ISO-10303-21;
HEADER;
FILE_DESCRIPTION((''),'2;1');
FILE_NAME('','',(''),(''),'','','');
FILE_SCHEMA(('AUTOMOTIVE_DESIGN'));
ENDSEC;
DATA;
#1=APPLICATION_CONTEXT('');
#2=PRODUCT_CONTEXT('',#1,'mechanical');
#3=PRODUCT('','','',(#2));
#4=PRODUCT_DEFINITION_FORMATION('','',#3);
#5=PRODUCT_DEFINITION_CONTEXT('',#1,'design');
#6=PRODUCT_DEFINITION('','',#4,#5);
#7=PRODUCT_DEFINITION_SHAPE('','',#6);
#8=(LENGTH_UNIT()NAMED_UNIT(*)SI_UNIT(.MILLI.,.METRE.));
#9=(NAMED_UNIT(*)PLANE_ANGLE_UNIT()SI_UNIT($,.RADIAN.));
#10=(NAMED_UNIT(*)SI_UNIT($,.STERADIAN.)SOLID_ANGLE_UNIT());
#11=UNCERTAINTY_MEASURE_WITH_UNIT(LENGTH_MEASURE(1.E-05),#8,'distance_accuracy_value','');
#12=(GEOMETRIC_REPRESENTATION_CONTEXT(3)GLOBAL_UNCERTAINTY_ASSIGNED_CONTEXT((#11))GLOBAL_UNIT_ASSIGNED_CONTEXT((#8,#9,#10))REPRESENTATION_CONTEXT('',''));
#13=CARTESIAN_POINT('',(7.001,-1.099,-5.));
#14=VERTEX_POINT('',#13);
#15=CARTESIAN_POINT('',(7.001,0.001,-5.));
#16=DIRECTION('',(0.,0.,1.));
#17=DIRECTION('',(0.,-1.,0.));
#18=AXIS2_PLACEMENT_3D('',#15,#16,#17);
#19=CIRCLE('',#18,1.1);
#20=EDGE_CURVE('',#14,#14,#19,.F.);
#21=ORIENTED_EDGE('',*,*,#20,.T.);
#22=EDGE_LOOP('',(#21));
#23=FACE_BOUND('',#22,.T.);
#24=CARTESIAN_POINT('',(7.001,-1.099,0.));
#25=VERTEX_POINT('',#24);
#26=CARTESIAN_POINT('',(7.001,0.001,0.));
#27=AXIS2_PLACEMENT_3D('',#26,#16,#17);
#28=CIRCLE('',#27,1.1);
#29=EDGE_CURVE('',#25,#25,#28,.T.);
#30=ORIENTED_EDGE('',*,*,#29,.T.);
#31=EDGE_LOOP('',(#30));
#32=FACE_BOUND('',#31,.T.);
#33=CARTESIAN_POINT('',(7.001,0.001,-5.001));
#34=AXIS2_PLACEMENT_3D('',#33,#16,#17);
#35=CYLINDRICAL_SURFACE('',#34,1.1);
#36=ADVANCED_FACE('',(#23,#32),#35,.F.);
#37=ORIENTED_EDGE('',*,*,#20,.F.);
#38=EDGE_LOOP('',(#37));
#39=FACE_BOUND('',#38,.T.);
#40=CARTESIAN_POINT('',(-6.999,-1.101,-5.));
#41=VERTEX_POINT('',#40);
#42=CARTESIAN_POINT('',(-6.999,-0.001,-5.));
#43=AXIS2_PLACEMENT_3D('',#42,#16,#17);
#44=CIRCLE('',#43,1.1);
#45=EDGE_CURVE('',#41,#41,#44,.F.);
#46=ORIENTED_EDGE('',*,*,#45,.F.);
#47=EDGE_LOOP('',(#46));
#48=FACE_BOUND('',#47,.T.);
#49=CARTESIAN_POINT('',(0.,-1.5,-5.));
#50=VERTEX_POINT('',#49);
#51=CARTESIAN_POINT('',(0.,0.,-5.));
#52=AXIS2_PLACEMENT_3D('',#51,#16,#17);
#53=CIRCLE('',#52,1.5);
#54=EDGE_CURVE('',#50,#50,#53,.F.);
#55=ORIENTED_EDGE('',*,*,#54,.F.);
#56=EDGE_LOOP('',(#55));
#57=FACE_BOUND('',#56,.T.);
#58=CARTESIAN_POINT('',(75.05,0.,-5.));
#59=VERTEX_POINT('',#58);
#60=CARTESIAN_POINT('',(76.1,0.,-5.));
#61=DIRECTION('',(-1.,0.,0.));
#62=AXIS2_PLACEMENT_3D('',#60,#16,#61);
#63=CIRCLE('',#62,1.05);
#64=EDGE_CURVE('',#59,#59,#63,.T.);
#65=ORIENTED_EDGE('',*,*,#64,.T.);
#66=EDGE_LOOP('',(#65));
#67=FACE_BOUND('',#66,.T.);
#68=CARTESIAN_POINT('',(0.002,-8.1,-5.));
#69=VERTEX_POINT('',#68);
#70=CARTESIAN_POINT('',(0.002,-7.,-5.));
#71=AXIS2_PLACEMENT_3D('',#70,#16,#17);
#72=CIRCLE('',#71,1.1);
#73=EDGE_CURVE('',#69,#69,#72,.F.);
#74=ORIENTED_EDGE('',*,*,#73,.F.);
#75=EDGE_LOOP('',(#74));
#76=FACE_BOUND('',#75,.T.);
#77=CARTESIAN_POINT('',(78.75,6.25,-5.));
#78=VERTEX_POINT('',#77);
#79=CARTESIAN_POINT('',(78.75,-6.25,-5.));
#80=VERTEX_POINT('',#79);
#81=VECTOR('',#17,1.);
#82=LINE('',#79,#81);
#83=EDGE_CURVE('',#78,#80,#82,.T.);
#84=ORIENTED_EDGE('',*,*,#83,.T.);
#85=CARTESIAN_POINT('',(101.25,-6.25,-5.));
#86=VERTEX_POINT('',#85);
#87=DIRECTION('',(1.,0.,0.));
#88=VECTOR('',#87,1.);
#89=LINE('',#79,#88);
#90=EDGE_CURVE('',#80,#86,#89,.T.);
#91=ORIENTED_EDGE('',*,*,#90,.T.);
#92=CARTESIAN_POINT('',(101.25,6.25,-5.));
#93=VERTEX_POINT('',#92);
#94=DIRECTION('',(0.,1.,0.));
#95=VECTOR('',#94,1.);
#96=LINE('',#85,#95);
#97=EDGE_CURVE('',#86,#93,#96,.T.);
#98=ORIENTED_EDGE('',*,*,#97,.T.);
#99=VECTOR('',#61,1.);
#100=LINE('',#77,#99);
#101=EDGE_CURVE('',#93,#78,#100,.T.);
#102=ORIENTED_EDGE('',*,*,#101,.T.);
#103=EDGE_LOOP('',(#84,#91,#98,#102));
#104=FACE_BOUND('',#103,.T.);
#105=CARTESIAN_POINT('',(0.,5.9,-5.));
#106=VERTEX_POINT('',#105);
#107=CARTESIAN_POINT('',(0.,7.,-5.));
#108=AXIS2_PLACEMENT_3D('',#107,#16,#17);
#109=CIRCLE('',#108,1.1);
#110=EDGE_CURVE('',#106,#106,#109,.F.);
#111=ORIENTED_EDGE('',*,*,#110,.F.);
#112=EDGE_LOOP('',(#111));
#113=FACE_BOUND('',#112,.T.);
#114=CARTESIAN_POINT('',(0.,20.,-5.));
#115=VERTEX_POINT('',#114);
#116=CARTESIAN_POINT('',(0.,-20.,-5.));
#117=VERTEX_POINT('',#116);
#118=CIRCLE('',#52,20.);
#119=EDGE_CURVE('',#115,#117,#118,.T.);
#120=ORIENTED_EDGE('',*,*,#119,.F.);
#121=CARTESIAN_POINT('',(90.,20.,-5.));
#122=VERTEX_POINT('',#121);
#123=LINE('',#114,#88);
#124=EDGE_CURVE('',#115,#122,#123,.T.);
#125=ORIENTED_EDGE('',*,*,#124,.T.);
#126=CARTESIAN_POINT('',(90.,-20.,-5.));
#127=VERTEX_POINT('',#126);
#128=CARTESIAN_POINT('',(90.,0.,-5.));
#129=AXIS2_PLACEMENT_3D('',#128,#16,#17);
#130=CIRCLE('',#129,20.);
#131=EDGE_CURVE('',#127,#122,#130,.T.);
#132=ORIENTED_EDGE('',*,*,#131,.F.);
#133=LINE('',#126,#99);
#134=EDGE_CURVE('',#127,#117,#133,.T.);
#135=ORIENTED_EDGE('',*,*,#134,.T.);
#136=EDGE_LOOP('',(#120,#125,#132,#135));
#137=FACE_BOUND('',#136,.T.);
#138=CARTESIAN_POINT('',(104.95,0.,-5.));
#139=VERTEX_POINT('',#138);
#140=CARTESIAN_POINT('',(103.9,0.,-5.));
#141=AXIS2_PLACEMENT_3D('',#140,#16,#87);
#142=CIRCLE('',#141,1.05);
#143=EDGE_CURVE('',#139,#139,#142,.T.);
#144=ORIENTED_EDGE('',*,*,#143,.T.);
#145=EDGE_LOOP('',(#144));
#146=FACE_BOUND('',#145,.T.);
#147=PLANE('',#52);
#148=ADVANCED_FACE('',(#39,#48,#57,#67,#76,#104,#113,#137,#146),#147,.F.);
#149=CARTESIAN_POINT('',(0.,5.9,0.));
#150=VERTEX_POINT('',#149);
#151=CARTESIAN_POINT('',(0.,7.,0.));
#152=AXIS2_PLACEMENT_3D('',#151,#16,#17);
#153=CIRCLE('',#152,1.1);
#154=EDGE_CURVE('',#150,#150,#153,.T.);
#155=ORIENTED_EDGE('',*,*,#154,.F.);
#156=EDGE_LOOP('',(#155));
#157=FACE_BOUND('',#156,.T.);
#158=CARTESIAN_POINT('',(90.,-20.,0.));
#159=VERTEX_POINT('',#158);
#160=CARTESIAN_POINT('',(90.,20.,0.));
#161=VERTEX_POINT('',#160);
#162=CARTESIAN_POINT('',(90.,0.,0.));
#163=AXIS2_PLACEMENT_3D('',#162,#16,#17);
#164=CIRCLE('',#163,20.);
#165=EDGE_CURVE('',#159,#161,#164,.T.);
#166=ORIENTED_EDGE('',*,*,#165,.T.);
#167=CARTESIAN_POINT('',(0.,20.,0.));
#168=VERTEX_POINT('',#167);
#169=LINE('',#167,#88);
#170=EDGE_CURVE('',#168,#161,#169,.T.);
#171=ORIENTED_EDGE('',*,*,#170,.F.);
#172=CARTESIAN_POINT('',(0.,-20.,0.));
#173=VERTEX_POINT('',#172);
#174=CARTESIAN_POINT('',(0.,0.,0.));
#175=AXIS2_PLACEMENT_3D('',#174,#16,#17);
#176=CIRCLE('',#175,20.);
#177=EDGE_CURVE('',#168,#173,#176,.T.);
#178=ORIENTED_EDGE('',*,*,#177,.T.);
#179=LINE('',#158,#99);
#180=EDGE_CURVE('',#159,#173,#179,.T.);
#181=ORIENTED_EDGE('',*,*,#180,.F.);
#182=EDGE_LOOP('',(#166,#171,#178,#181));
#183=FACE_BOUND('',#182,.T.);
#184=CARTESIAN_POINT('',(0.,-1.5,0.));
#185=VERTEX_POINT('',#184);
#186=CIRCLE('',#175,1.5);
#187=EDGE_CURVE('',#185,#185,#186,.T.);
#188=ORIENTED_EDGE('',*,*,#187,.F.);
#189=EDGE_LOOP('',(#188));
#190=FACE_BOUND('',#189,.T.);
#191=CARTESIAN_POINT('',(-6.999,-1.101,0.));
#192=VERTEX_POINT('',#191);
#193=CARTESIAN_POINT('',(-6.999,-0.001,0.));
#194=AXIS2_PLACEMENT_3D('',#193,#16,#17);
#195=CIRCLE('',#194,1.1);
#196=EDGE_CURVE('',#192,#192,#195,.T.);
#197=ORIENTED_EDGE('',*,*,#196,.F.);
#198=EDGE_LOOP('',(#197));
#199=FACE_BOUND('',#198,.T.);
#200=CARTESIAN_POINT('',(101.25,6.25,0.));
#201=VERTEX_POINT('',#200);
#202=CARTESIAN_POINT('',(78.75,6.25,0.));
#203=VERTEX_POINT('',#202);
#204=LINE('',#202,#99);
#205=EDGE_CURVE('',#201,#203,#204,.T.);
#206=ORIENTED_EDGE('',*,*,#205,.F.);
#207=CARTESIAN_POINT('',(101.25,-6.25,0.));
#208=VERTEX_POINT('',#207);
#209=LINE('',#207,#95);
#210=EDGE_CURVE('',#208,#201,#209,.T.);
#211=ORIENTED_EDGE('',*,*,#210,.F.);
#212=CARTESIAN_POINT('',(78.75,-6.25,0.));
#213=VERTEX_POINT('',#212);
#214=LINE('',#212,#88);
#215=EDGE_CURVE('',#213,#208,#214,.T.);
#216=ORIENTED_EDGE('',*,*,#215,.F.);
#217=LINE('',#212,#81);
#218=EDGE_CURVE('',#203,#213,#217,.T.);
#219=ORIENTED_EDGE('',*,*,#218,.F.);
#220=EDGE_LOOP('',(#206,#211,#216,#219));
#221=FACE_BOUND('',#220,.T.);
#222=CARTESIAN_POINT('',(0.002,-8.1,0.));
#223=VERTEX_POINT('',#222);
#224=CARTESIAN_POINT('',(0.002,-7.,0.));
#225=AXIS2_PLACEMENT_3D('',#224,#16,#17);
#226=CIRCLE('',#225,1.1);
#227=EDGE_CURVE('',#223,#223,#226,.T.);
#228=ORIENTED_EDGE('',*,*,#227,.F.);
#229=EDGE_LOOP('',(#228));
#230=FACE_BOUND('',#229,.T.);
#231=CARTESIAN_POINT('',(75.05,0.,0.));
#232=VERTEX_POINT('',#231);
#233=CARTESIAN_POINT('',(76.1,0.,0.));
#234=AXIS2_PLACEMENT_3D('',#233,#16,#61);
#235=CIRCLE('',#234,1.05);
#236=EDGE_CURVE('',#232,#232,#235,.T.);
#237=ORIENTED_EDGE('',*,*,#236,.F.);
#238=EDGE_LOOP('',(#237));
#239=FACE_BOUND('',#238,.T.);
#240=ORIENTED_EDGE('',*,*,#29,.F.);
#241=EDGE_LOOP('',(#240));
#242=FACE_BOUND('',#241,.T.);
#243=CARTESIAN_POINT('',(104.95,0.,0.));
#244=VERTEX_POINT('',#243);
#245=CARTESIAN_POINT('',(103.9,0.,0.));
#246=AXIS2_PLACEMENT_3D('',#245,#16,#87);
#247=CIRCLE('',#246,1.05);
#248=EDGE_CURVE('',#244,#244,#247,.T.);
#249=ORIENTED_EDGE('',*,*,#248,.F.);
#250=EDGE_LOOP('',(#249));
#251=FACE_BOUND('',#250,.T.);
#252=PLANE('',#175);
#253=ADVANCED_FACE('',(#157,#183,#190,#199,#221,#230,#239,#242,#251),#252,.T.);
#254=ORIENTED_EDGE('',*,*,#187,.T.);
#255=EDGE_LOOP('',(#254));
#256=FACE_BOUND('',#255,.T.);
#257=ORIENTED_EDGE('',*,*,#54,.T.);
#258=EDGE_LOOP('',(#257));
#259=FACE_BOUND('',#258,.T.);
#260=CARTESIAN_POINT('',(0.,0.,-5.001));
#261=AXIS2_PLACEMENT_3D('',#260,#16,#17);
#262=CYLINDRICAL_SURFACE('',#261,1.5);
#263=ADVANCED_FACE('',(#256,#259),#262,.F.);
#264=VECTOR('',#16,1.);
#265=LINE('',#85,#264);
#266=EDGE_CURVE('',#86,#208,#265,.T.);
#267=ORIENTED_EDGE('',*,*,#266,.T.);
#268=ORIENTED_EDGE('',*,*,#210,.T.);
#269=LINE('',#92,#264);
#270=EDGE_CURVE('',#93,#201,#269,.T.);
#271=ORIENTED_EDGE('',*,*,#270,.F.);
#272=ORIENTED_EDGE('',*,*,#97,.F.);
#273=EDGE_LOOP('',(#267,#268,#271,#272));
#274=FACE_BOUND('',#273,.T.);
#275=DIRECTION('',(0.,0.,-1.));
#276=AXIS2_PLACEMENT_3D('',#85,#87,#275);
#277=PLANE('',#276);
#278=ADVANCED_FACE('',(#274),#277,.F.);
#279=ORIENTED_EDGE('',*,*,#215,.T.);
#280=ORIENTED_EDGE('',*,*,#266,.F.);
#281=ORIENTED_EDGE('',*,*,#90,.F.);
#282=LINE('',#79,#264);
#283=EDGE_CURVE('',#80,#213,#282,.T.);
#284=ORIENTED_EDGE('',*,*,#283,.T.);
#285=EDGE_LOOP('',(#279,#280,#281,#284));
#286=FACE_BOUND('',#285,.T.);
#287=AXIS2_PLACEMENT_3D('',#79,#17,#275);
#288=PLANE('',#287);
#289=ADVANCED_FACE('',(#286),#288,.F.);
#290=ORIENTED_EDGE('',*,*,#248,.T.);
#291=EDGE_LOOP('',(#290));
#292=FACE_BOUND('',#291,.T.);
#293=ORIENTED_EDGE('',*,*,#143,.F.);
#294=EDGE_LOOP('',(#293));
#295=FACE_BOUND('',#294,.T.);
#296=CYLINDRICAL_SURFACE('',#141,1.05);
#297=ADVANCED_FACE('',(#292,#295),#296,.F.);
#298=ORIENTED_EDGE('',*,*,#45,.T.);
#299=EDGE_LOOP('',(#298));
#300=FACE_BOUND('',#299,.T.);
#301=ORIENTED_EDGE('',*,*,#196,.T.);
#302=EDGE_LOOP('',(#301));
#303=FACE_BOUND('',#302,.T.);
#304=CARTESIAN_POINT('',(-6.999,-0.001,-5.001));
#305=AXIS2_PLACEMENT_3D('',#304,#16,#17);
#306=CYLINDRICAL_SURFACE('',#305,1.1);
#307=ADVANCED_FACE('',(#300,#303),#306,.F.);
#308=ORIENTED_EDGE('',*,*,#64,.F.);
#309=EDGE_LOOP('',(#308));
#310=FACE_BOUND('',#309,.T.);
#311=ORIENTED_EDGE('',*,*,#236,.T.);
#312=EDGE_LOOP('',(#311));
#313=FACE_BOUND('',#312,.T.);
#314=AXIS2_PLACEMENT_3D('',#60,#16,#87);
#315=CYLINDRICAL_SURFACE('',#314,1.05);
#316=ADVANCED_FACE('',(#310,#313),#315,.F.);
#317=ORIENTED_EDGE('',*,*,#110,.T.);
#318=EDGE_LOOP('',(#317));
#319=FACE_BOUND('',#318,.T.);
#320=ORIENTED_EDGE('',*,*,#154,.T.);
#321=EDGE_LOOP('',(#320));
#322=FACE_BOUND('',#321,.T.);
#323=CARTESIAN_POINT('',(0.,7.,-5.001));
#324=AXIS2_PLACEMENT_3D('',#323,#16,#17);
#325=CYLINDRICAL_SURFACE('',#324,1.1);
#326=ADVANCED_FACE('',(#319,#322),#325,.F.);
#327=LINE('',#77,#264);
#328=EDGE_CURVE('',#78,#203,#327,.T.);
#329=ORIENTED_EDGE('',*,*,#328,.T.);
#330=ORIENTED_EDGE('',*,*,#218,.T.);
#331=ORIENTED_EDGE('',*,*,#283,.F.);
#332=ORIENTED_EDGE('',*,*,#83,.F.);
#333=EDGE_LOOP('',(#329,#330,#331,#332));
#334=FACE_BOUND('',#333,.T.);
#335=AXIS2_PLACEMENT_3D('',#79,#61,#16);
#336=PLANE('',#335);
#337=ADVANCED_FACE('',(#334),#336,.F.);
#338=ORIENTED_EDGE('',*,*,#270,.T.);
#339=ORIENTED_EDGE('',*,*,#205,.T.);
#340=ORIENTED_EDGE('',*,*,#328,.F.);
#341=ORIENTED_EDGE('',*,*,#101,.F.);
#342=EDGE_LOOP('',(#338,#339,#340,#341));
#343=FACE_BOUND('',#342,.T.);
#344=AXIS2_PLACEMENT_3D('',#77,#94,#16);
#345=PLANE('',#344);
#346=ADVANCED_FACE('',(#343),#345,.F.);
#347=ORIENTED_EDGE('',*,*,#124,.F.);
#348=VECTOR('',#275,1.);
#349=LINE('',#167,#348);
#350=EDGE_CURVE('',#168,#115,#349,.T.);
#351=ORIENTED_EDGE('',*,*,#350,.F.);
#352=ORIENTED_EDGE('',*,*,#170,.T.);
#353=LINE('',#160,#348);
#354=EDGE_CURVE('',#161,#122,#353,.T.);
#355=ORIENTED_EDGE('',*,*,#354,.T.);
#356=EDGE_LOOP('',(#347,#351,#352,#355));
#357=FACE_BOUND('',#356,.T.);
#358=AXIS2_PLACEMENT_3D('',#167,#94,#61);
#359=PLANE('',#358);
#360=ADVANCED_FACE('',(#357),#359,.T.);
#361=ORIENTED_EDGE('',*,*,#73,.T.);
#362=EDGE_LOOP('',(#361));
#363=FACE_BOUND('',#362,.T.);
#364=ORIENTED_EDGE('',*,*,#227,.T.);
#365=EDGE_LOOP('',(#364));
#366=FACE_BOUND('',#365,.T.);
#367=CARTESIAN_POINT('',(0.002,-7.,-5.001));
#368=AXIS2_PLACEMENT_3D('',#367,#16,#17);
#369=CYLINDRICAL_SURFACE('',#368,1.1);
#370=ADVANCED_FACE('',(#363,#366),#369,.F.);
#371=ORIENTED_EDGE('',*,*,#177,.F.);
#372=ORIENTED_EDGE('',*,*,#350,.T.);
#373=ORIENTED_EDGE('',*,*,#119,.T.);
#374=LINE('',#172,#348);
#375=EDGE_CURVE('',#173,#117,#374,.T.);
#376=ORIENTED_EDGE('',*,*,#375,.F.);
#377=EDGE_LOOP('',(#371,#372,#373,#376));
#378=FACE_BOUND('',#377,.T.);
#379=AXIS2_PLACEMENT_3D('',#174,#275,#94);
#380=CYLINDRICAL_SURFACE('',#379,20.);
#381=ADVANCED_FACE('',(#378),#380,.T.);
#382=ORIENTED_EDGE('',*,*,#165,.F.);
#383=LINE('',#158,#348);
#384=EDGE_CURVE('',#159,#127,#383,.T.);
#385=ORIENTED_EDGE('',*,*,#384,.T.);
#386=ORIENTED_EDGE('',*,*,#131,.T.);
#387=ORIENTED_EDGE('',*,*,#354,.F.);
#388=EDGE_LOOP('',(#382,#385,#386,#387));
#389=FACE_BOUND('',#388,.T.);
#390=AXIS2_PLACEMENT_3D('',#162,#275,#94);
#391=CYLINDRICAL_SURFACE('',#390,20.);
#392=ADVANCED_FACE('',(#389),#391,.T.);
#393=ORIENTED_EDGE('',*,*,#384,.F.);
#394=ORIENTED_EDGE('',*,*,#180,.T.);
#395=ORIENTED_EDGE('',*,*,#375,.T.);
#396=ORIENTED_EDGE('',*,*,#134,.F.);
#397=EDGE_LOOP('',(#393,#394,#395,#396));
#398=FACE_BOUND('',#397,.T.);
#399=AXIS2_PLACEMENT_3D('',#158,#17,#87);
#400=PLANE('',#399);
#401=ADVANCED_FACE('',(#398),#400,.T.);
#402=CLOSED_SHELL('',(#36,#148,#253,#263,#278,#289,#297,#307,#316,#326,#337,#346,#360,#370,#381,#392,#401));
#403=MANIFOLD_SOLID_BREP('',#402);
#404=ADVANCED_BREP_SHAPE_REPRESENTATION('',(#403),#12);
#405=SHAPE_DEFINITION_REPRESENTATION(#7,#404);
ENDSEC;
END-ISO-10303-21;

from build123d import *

# Parameters (mm, degrees)
BOSS_EXTRUDE1_DEPTH   = 5
CUT_EXTRUDE1_REACH    = 113.915
SKETCH2_R             = 1.5
SKETCH2_R_2           = 1.1
BODY_MOVE_COPY1_ANGLE = 90
SKETCH19_R            = 1.05
SKETCH19_W            = 22.5
SKETCH19_H            = 12.5
CUT_EXTRUDE9_DEPTH    = 112.915146428


with BuildPart() as part:
    # Sketch1 → Boss-Extrude1 (new body)
    with BuildSketch(Plane(origin=(0, 0, 0), x_dir=(1, 0, 0), z_dir=(0, 1, 0))):
        with BuildLine():
            Line((90, -20), (0, -20))
            ThreePointArc((0, -20), (-20, 0), (0, 20))
            Line((0, 20), (90, 20))
            ThreePointArc((90, 20), (110, 0), (90, -20))
        make_face()
    extrude(amount=BOSS_EXTRUDE1_DEPTH)

    # Sketch2 → Cut-Extrude1 (cut, up to next)
    with BuildSketch(Plane(origin=(0, 5, 0), x_dir=(1, 0, 0), z_dir=(0, 1, 0)), mode=Mode.PRIVATE) as cut_extrude1_sk1:
        with Locations(Location((0, 0, 0), (0, 0, 270))):
            Circle(SKETCH2_R)
    cut_extrude1_tool1 = extrude(cut_extrude1_sk1.sketch, amount=-CUT_EXTRUDE1_REACH, mode=Mode.PRIVATE) & part.part
    # Sketch2 → Cut-Extrude1 (cut, up to next)
    with BuildSketch(Plane(origin=(0, 5, 0), x_dir=(1, 0, 0), z_dir=(0, 1, 0)), mode=Mode.PRIVATE) as cut_extrude1_sk2:
        with Locations(Location((0, 7, 0), (0, 0, 270))):
            Circle(SKETCH2_R_2)
    cut_extrude1_tool2 = extrude(cut_extrude1_sk2.sketch, amount=-CUT_EXTRUDE1_REACH, mode=Mode.PRIVATE) & part.part
    # Sketch2 → Cut-Extrude1 (cut, up to next)
    with BuildSketch(Plane(origin=(0, 5, 0), x_dir=(1, 0, 0), z_dir=(0, 1, 0)), mode=Mode.PRIVATE) as cut_extrude1_sk3:
        with Locations(Location((7.001, 0.001, 0), (0, 0, 270))):
            Circle(SKETCH2_R_2)
    cut_extrude1_tool3 = extrude(cut_extrude1_sk3.sketch, amount=-CUT_EXTRUDE1_REACH, mode=Mode.PRIVATE) & part.part
    # Sketch2 → Cut-Extrude1 (cut, up to next)
    with BuildSketch(Plane(origin=(0, 5, 0), x_dir=(1, 0, 0), z_dir=(0, 1, 0)), mode=Mode.PRIVATE) as cut_extrude1_sk4:
        with Locations(Location((0.002, -7, 0), (0, 0, 270))):
            Circle(SKETCH2_R_2)
    cut_extrude1_tool4 = extrude(cut_extrude1_sk4.sketch, amount=-CUT_EXTRUDE1_REACH, mode=Mode.PRIVATE) & part.part
    # Sketch2 → Cut-Extrude1 (cut, up to next)
    with BuildSketch(Plane(origin=(0, 5, 0), x_dir=(1, 0, 0), z_dir=(0, 1, 0)), mode=Mode.PRIVATE) as cut_extrude1_sk5:
        with Locations(Location((-6.999, -0.001, 0), (0, 0, 270))):
            Circle(SKETCH2_R_2)
    cut_extrude1_tool5 = extrude(cut_extrude1_sk5.sketch, amount=-CUT_EXTRUDE1_REACH, mode=Mode.PRIVATE) & part.part
    add(cut_extrude1_tool1.solids().sort_by_distance((0, 5, 0))[0], mode=Mode.SUBTRACT)
    add(cut_extrude1_tool2.solids().sort_by_distance((0, 5, -7))[0], mode=Mode.SUBTRACT)
    add(cut_extrude1_tool3.solids().sort_by_distance((7.001, 5, -0.001))[0], mode=Mode.SUBTRACT)
    add(cut_extrude1_tool4.solids().sort_by_distance((0.002, 5, 7))[0], mode=Mode.SUBTRACT)
    add(cut_extrude1_tool5.solids().sort_by_distance((-6.999, 5, 0.001))[0], mode=Mode.SUBTRACT)


with BuildPart() as part_1:
    # Body-Move/Copy1: moved
    add(part.part.rotate(Axis((0, 0, 0), (1, 0, 0)), BODY_MOVE_COPY1_ANGLE))

    # Sketch19 → Cut-Extrude9 (cut, through all)
    with BuildSketch(Plane.XY.offset(5)):
        with Locations((103.9, 0)):
            Circle(SKETCH19_R)
        with Locations(Location((76.1, 0, 0), (0, 0, 180))):
            Circle(SKETCH19_R)
        with Locations((90, 0)):
            Rectangle(SKETCH19_W, SKETCH19_H)
    extrude(amount=-CUT_EXTRUDE9_DEPTH, mode=Mode.SUBTRACT)


with BuildPart() as part_2:
    # Body-Move/Copy2: moved
    add(part_1.part.moved(Location((0, 0, -5))))


solid = part_2.part
